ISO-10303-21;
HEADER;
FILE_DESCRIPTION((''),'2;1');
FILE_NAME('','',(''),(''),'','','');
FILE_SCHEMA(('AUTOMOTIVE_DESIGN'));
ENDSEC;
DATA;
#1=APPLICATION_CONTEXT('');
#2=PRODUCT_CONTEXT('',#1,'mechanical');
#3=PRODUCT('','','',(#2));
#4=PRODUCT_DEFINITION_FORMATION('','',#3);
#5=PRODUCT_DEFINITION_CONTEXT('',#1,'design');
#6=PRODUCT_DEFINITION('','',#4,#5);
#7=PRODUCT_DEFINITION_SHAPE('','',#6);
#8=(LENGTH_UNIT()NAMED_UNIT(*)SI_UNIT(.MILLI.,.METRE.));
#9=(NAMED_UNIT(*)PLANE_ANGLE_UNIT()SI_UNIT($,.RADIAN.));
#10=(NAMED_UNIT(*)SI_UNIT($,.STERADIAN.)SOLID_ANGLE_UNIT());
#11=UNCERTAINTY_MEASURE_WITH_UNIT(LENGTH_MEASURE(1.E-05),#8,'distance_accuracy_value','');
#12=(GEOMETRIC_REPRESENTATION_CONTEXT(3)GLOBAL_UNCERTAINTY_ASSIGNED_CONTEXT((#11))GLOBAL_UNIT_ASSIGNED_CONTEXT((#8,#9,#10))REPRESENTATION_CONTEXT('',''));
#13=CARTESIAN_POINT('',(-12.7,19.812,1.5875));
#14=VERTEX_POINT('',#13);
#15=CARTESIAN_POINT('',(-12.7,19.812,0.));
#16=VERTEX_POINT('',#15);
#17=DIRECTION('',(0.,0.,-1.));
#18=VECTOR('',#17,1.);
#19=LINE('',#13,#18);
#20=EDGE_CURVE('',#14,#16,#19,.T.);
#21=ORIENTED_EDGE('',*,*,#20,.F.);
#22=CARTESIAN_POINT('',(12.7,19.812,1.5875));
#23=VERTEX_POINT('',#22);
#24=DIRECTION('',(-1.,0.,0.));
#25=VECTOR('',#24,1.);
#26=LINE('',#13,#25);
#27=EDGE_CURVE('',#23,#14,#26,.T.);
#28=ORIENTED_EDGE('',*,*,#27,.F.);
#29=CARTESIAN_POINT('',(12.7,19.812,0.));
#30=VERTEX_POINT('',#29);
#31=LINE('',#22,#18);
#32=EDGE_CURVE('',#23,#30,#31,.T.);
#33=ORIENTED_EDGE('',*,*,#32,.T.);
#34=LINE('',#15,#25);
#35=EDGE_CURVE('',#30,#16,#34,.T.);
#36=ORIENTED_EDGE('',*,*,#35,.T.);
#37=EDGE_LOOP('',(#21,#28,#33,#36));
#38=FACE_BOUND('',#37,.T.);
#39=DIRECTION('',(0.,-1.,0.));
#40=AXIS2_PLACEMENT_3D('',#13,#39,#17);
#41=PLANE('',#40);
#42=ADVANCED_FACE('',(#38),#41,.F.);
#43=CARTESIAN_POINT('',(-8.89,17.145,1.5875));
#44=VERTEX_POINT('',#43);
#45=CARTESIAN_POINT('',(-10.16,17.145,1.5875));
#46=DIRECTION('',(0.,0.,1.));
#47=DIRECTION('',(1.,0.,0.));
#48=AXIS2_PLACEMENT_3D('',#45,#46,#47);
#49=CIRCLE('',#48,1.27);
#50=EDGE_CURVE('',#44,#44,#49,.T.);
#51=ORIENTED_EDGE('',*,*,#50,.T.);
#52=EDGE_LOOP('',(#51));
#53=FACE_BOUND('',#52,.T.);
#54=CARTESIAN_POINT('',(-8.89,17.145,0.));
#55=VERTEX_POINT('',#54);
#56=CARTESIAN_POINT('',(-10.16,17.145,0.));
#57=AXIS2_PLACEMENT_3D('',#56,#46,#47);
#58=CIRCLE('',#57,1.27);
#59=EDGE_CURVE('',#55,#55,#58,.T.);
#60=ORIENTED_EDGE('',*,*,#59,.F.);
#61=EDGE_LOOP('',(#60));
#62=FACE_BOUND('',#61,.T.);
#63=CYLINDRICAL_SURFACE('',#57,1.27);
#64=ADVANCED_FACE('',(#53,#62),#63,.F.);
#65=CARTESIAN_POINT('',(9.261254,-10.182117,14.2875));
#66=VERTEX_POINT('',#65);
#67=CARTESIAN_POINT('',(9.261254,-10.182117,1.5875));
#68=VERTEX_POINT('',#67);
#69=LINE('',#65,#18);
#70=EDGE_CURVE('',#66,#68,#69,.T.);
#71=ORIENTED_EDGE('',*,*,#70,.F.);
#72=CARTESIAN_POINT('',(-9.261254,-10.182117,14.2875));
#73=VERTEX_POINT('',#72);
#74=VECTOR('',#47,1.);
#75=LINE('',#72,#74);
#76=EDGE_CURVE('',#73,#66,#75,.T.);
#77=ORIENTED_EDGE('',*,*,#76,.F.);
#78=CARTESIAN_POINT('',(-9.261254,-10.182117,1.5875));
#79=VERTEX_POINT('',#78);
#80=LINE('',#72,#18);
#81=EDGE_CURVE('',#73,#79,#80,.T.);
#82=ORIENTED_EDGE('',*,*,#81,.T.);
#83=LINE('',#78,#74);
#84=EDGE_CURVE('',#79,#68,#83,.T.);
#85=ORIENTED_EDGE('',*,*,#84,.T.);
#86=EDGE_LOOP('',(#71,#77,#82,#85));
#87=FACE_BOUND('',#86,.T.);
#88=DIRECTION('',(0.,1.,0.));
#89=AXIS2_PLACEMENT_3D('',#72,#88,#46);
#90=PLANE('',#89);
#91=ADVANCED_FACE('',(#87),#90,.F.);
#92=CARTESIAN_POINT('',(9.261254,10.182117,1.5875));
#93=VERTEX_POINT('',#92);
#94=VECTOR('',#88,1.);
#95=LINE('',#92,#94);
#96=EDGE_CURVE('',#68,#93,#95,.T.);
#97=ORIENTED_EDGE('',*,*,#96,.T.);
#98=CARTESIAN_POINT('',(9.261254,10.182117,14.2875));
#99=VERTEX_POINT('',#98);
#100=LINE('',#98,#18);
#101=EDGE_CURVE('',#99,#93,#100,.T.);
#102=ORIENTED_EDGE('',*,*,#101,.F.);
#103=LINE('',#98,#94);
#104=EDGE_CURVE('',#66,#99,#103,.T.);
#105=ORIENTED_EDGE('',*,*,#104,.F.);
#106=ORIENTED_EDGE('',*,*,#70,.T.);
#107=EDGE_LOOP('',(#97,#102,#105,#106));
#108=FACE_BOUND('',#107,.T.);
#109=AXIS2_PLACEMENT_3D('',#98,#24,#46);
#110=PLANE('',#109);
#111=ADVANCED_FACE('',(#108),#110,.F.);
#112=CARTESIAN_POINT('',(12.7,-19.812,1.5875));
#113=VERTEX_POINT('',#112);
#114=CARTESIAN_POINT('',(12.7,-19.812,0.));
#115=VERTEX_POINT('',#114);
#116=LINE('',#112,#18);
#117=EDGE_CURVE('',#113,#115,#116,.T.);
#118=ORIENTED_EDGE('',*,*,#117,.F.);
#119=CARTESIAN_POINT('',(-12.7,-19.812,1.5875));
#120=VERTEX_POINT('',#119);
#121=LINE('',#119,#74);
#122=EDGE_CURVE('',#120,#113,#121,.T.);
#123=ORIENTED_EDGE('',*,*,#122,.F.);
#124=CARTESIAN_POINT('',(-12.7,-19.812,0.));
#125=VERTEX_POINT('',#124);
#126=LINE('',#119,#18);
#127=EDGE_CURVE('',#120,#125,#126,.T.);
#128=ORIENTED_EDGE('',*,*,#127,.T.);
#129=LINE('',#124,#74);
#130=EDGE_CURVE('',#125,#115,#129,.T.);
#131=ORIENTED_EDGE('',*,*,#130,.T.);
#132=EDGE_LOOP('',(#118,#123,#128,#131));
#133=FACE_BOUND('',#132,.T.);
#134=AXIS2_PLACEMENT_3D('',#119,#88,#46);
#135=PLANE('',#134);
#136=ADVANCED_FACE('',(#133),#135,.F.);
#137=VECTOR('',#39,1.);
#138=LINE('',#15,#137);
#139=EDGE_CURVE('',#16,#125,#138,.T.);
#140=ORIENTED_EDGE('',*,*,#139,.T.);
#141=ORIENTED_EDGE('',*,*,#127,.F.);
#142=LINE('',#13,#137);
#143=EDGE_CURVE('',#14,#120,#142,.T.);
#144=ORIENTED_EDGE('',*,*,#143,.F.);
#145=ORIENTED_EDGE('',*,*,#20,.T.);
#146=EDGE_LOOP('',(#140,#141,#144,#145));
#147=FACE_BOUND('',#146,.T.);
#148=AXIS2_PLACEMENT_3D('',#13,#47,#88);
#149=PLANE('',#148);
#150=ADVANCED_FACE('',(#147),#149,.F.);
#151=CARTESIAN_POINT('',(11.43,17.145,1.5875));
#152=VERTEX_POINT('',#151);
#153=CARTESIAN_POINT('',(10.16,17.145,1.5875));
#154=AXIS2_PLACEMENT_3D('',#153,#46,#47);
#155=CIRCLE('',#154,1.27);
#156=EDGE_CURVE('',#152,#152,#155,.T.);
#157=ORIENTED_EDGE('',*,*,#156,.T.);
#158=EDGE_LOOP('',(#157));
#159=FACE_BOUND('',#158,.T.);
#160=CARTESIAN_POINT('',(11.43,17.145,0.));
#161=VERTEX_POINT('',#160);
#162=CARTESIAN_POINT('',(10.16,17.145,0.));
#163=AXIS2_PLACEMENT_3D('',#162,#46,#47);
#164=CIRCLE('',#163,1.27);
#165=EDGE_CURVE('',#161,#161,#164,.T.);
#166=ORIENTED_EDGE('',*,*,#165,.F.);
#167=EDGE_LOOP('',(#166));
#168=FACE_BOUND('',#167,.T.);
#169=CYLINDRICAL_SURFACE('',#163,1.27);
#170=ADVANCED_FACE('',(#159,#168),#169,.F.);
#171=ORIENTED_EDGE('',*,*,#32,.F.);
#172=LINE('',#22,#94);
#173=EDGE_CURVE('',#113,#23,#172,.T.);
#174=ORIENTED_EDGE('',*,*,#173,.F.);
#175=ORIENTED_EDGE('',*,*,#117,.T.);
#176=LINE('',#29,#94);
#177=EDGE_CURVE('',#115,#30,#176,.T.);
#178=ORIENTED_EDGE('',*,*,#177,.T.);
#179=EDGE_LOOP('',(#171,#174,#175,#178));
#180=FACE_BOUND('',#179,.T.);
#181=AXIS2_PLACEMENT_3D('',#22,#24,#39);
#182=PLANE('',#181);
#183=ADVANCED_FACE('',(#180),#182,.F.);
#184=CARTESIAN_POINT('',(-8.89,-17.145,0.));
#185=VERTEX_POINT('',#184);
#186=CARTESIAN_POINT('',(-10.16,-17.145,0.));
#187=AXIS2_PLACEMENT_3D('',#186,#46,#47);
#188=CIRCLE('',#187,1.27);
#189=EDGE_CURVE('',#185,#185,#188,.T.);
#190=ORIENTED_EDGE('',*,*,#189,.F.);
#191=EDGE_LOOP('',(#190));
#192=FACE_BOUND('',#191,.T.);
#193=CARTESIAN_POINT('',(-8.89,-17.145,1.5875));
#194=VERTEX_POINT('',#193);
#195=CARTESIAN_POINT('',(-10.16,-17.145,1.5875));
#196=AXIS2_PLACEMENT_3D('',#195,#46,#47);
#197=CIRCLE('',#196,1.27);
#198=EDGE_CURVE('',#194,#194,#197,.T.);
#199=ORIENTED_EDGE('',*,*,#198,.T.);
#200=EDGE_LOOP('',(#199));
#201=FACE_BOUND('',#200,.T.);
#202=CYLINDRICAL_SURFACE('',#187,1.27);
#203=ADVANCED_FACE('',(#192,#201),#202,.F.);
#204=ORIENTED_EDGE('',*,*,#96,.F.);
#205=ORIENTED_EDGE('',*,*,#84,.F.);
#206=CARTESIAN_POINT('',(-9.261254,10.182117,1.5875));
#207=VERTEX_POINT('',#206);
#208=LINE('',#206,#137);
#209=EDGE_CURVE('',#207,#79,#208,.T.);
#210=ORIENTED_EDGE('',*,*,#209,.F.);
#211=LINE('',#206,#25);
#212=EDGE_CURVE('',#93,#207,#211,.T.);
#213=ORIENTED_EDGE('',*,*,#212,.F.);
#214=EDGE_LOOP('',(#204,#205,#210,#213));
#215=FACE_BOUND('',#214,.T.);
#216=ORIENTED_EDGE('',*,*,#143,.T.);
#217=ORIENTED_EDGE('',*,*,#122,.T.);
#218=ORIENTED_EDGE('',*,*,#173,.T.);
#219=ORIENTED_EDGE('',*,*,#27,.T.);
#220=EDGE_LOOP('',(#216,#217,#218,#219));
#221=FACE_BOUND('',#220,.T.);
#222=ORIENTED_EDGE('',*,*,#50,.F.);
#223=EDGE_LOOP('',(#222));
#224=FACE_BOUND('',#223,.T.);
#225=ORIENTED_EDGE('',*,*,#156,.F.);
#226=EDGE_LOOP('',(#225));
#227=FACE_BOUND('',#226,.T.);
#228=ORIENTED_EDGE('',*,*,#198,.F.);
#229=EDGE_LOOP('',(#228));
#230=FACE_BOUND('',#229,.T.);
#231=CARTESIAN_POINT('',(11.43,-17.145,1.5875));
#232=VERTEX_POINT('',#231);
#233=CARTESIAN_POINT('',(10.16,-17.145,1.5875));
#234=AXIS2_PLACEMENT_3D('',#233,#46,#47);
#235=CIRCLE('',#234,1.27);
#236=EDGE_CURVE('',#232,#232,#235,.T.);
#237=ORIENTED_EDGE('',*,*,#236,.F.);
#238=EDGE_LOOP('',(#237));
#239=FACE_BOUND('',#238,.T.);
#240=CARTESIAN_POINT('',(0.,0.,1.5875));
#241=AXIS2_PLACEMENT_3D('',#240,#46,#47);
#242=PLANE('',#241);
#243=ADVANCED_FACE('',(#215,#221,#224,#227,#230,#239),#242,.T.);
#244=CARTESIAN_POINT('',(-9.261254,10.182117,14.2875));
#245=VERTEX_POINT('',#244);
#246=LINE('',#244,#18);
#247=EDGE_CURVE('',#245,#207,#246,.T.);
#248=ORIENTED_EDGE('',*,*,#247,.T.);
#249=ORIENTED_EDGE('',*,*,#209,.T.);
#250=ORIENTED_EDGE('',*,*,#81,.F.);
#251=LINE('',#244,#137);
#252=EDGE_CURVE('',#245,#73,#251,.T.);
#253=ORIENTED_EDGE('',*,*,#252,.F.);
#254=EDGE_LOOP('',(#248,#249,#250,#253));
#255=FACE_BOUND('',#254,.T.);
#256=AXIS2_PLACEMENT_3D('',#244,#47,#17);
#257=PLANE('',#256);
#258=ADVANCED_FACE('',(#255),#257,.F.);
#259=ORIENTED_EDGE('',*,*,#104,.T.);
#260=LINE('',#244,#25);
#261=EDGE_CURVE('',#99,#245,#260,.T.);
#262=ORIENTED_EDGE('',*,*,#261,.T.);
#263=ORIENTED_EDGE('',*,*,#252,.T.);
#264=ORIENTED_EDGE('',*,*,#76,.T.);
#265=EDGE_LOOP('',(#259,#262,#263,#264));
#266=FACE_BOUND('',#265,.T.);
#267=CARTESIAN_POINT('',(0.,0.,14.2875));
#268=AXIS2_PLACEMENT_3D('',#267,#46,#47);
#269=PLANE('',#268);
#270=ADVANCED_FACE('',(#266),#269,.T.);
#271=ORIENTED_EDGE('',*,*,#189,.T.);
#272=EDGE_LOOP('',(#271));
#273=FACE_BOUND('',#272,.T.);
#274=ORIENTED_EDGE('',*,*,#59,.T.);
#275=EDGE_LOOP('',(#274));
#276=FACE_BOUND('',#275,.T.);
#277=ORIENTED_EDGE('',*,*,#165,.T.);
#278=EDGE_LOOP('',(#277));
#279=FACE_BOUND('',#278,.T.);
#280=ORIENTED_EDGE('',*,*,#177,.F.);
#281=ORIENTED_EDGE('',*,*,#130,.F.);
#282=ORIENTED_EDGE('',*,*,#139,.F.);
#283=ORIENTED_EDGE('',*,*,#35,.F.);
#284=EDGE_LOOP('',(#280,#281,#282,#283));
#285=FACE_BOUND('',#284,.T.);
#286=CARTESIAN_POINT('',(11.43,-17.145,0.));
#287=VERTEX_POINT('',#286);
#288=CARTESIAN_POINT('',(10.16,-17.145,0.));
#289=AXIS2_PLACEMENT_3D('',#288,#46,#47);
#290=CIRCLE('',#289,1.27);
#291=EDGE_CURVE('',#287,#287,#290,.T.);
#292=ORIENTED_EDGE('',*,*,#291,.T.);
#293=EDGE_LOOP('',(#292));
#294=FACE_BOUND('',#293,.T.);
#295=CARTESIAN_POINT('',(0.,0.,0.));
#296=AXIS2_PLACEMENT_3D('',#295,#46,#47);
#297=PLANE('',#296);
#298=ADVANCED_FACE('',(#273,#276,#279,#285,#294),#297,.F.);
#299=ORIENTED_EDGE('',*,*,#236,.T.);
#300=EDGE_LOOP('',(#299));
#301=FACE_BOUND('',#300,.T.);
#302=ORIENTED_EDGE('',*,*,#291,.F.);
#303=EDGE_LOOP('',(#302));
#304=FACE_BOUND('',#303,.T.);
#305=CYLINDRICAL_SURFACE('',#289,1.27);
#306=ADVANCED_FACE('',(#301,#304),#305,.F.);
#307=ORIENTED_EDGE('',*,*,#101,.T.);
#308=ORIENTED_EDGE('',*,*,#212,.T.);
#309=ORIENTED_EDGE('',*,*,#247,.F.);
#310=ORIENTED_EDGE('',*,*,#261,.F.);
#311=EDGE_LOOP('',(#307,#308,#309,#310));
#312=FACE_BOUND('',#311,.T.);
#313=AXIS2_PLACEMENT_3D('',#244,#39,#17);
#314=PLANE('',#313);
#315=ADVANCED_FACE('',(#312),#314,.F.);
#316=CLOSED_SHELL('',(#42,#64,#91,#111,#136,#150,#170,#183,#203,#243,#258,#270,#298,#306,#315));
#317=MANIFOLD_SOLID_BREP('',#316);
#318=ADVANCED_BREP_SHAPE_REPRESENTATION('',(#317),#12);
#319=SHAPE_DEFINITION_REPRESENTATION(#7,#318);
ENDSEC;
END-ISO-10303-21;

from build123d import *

# Parameters (mm, degrees)
SKETCH1_W           = 25.4
SKETCH1_H           = 39.624
BOSS_EXTRUDE1_DEPTH = 1.5875
SKETCH2_W           = 18.522507708
SKETCH2_H           = 20.364234326
BOSS_EXTRUDE2_DEPTH = 12.7
SKETCH3_R           = 1.27
CUT_EXTRUDE1_DEPTH  = 27.741266687


with BuildPart() as part:
    # Sketch1 → Boss-Extrude1 (new body)
    with BuildSketch(Plane.XY):
        Rectangle(SKETCH1_W, SKETCH1_H)
    extrude(amount=BOSS_EXTRUDE1_DEPTH)

    # Sketch2 → Boss-Extrude2 (add)
    with BuildSketch(Plane.XY.offset(1.5875)):
        Rectangle(SKETCH2_W, SKETCH2_H)
    extrude(amount=BOSS_EXTRUDE2_DEPTH)

    # Sketch3 → Cut-Extrude1 (cut, through all)
    with BuildSketch(Plane.XY.offset(1.5875)):
        with Locations((-10.16, 17.145)):
            Circle(SKETCH3_R)
        with Locations((10.16, 17.145)):
            Circle(SKETCH3_R)
        with Locations((10.16, -17.145)):
            Circle(SKETCH3_R)
        with Locations((-10.16, -17.145)):
            Circle(SKETCH3_R)
    extrude(amount=-CUT_EXTRUDE1_DEPTH, mode=Mode.SUBTRACT)


solid = part.part
